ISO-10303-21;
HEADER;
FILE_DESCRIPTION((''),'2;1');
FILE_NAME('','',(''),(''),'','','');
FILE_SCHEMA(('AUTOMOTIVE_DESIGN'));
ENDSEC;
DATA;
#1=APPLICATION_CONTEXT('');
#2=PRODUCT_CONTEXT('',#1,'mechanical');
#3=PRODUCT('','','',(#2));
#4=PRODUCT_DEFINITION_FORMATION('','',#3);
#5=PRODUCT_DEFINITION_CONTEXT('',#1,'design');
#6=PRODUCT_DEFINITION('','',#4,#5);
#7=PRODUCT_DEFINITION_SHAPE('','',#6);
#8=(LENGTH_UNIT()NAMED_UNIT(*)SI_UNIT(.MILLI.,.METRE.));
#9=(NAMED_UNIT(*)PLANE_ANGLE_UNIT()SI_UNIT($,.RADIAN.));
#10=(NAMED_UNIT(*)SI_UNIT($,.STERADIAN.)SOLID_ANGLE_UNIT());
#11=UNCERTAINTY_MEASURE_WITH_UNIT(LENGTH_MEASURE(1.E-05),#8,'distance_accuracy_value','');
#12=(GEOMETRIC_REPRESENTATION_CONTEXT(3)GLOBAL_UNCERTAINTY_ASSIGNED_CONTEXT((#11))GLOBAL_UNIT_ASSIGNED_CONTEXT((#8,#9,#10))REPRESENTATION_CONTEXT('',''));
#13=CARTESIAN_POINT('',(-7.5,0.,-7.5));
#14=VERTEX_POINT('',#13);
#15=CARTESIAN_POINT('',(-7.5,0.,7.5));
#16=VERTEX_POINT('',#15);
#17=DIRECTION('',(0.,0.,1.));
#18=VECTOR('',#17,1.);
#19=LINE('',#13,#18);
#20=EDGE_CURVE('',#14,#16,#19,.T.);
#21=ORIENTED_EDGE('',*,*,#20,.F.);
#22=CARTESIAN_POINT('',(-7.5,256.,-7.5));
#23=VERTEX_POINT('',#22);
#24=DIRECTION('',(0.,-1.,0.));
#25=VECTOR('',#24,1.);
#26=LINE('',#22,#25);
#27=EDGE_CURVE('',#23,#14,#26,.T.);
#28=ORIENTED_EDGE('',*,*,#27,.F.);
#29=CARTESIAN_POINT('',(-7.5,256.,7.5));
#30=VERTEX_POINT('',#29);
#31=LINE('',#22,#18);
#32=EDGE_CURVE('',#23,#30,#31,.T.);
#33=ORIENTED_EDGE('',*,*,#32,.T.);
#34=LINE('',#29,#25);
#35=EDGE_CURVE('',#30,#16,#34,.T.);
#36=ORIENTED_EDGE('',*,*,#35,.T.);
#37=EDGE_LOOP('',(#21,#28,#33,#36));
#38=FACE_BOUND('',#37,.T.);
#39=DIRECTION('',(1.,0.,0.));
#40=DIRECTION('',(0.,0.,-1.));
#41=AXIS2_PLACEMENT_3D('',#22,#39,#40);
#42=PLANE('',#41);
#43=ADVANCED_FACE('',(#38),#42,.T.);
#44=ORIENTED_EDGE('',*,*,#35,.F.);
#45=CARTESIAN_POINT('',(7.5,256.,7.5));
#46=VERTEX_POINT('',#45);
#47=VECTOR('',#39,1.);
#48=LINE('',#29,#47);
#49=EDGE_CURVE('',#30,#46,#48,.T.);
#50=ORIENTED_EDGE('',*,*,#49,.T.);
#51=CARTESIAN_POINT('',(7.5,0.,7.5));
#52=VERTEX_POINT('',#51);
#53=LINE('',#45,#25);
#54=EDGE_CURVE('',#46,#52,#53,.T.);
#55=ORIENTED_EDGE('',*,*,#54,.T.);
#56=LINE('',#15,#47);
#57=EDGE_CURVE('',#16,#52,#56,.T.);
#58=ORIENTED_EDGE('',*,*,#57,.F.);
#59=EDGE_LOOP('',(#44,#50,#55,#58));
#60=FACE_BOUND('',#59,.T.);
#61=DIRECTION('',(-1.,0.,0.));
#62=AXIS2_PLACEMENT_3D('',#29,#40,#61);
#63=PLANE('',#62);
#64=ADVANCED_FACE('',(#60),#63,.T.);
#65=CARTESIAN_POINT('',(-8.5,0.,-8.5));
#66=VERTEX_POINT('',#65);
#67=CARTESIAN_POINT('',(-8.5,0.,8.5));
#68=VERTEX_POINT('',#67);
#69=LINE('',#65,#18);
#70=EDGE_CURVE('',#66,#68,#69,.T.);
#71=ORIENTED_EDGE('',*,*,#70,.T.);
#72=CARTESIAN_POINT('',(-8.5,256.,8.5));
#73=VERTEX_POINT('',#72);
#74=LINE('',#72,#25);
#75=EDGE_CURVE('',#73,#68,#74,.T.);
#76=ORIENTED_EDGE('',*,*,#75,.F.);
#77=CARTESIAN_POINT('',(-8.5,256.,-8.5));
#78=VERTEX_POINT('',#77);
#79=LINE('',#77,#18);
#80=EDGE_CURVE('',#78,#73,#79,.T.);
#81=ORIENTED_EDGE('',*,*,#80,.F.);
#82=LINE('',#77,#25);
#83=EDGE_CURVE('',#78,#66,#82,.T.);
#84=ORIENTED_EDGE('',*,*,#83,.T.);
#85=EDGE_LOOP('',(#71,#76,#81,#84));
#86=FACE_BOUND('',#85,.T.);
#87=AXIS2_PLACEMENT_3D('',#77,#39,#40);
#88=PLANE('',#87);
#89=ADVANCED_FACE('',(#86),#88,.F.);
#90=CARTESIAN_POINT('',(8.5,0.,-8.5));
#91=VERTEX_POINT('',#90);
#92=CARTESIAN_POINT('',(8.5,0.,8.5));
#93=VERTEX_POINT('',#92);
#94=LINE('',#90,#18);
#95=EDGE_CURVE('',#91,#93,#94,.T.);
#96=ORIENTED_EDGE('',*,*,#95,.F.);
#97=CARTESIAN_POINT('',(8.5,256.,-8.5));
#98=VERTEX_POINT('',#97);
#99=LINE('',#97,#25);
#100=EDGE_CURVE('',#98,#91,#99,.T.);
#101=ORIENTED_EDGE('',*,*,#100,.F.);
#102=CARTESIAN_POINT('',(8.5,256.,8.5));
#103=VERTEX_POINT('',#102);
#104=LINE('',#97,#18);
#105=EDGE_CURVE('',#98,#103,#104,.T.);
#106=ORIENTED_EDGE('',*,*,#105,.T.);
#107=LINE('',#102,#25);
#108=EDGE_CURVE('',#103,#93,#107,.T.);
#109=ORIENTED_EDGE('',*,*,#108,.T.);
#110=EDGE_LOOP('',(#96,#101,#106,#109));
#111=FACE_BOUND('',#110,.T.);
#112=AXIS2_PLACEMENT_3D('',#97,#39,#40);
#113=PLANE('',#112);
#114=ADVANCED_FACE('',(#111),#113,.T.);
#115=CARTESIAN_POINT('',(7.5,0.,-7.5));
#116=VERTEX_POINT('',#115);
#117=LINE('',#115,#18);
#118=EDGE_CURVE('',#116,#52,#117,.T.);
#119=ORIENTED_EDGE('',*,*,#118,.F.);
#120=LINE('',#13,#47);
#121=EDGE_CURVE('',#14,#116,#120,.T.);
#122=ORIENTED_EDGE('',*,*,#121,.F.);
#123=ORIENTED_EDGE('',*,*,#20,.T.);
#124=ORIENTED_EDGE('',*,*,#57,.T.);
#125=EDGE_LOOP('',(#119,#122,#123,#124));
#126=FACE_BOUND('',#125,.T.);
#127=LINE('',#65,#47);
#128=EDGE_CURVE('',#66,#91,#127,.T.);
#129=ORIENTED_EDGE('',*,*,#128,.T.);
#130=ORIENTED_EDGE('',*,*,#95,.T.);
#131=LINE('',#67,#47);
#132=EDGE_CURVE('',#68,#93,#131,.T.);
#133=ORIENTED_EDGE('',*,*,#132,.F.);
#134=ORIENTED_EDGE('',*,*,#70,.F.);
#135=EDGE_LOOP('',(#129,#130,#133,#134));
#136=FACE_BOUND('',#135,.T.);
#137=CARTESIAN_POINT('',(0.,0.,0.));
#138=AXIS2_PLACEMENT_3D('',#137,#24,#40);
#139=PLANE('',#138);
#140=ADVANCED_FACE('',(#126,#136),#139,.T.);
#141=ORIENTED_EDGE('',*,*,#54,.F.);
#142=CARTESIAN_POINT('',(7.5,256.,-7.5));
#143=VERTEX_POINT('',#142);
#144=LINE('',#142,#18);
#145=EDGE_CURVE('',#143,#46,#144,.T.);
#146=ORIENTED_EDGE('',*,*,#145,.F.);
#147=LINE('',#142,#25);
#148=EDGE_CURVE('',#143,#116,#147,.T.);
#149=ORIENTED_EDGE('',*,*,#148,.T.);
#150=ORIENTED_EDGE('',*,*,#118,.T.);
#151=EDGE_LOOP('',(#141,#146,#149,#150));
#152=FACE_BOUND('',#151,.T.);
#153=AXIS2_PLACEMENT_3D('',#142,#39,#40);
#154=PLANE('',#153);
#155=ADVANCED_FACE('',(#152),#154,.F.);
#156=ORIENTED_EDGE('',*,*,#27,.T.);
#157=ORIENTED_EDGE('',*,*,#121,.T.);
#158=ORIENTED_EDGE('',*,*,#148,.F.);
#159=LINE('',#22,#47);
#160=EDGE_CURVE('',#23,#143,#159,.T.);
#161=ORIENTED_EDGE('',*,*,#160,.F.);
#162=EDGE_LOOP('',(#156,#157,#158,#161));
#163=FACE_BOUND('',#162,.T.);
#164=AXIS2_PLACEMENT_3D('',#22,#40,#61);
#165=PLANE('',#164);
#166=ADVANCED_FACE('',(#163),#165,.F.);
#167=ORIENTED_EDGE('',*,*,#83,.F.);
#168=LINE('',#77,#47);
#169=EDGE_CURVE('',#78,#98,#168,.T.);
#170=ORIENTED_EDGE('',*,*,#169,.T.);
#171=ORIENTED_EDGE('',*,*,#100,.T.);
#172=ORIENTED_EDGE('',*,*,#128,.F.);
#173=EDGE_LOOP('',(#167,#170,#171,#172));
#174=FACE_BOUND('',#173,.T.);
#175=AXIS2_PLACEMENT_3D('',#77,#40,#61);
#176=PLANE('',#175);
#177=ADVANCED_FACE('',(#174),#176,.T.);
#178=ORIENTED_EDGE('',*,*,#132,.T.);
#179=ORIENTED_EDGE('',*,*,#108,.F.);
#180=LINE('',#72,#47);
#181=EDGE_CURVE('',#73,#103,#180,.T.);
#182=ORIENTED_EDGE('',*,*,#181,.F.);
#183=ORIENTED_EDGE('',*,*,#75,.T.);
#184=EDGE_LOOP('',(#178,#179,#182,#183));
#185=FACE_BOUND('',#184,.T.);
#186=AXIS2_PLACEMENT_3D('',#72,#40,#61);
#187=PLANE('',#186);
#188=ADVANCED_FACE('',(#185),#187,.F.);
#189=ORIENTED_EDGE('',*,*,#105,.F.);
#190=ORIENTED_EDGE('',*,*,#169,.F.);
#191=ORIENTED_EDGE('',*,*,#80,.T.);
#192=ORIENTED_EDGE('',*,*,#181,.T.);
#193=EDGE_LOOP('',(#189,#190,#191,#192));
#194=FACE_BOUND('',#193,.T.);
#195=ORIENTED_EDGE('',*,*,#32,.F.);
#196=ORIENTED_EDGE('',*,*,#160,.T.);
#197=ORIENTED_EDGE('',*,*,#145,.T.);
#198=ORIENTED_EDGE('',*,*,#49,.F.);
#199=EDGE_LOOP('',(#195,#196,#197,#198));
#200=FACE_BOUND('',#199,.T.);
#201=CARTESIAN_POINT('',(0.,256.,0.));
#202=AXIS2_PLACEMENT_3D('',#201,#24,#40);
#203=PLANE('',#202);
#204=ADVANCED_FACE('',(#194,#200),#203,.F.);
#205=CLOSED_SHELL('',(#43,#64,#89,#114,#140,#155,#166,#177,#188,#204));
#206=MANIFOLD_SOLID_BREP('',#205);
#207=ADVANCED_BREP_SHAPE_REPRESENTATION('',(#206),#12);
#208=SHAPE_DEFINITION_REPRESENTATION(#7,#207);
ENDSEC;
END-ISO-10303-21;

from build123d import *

# Parameters (mm, degrees)
SKETCH1_W           = 17
SKETCH1_H           = 17
SKETCH1_W_2         = 15
SKETCH1_H_2         = 15
BOSS_EXTRUDE1_DEPTH = 256


with BuildPart() as part:
    # Sketch1 → Boss-Extrude1 (new body)
    with BuildSketch(Plane(origin=(0, 0, 0), x_dir=(1, 0, 0), z_dir=(0, 1, 0))):
        Rectangle(SKETCH1_W, SKETCH1_H)
        Rectangle(SKETCH1_W_2, SKETCH1_H_2, mode=Mode.SUBTRACT)
    extrude(amount=BOSS_EXTRUDE1_DEPTH)


solid = part.part
